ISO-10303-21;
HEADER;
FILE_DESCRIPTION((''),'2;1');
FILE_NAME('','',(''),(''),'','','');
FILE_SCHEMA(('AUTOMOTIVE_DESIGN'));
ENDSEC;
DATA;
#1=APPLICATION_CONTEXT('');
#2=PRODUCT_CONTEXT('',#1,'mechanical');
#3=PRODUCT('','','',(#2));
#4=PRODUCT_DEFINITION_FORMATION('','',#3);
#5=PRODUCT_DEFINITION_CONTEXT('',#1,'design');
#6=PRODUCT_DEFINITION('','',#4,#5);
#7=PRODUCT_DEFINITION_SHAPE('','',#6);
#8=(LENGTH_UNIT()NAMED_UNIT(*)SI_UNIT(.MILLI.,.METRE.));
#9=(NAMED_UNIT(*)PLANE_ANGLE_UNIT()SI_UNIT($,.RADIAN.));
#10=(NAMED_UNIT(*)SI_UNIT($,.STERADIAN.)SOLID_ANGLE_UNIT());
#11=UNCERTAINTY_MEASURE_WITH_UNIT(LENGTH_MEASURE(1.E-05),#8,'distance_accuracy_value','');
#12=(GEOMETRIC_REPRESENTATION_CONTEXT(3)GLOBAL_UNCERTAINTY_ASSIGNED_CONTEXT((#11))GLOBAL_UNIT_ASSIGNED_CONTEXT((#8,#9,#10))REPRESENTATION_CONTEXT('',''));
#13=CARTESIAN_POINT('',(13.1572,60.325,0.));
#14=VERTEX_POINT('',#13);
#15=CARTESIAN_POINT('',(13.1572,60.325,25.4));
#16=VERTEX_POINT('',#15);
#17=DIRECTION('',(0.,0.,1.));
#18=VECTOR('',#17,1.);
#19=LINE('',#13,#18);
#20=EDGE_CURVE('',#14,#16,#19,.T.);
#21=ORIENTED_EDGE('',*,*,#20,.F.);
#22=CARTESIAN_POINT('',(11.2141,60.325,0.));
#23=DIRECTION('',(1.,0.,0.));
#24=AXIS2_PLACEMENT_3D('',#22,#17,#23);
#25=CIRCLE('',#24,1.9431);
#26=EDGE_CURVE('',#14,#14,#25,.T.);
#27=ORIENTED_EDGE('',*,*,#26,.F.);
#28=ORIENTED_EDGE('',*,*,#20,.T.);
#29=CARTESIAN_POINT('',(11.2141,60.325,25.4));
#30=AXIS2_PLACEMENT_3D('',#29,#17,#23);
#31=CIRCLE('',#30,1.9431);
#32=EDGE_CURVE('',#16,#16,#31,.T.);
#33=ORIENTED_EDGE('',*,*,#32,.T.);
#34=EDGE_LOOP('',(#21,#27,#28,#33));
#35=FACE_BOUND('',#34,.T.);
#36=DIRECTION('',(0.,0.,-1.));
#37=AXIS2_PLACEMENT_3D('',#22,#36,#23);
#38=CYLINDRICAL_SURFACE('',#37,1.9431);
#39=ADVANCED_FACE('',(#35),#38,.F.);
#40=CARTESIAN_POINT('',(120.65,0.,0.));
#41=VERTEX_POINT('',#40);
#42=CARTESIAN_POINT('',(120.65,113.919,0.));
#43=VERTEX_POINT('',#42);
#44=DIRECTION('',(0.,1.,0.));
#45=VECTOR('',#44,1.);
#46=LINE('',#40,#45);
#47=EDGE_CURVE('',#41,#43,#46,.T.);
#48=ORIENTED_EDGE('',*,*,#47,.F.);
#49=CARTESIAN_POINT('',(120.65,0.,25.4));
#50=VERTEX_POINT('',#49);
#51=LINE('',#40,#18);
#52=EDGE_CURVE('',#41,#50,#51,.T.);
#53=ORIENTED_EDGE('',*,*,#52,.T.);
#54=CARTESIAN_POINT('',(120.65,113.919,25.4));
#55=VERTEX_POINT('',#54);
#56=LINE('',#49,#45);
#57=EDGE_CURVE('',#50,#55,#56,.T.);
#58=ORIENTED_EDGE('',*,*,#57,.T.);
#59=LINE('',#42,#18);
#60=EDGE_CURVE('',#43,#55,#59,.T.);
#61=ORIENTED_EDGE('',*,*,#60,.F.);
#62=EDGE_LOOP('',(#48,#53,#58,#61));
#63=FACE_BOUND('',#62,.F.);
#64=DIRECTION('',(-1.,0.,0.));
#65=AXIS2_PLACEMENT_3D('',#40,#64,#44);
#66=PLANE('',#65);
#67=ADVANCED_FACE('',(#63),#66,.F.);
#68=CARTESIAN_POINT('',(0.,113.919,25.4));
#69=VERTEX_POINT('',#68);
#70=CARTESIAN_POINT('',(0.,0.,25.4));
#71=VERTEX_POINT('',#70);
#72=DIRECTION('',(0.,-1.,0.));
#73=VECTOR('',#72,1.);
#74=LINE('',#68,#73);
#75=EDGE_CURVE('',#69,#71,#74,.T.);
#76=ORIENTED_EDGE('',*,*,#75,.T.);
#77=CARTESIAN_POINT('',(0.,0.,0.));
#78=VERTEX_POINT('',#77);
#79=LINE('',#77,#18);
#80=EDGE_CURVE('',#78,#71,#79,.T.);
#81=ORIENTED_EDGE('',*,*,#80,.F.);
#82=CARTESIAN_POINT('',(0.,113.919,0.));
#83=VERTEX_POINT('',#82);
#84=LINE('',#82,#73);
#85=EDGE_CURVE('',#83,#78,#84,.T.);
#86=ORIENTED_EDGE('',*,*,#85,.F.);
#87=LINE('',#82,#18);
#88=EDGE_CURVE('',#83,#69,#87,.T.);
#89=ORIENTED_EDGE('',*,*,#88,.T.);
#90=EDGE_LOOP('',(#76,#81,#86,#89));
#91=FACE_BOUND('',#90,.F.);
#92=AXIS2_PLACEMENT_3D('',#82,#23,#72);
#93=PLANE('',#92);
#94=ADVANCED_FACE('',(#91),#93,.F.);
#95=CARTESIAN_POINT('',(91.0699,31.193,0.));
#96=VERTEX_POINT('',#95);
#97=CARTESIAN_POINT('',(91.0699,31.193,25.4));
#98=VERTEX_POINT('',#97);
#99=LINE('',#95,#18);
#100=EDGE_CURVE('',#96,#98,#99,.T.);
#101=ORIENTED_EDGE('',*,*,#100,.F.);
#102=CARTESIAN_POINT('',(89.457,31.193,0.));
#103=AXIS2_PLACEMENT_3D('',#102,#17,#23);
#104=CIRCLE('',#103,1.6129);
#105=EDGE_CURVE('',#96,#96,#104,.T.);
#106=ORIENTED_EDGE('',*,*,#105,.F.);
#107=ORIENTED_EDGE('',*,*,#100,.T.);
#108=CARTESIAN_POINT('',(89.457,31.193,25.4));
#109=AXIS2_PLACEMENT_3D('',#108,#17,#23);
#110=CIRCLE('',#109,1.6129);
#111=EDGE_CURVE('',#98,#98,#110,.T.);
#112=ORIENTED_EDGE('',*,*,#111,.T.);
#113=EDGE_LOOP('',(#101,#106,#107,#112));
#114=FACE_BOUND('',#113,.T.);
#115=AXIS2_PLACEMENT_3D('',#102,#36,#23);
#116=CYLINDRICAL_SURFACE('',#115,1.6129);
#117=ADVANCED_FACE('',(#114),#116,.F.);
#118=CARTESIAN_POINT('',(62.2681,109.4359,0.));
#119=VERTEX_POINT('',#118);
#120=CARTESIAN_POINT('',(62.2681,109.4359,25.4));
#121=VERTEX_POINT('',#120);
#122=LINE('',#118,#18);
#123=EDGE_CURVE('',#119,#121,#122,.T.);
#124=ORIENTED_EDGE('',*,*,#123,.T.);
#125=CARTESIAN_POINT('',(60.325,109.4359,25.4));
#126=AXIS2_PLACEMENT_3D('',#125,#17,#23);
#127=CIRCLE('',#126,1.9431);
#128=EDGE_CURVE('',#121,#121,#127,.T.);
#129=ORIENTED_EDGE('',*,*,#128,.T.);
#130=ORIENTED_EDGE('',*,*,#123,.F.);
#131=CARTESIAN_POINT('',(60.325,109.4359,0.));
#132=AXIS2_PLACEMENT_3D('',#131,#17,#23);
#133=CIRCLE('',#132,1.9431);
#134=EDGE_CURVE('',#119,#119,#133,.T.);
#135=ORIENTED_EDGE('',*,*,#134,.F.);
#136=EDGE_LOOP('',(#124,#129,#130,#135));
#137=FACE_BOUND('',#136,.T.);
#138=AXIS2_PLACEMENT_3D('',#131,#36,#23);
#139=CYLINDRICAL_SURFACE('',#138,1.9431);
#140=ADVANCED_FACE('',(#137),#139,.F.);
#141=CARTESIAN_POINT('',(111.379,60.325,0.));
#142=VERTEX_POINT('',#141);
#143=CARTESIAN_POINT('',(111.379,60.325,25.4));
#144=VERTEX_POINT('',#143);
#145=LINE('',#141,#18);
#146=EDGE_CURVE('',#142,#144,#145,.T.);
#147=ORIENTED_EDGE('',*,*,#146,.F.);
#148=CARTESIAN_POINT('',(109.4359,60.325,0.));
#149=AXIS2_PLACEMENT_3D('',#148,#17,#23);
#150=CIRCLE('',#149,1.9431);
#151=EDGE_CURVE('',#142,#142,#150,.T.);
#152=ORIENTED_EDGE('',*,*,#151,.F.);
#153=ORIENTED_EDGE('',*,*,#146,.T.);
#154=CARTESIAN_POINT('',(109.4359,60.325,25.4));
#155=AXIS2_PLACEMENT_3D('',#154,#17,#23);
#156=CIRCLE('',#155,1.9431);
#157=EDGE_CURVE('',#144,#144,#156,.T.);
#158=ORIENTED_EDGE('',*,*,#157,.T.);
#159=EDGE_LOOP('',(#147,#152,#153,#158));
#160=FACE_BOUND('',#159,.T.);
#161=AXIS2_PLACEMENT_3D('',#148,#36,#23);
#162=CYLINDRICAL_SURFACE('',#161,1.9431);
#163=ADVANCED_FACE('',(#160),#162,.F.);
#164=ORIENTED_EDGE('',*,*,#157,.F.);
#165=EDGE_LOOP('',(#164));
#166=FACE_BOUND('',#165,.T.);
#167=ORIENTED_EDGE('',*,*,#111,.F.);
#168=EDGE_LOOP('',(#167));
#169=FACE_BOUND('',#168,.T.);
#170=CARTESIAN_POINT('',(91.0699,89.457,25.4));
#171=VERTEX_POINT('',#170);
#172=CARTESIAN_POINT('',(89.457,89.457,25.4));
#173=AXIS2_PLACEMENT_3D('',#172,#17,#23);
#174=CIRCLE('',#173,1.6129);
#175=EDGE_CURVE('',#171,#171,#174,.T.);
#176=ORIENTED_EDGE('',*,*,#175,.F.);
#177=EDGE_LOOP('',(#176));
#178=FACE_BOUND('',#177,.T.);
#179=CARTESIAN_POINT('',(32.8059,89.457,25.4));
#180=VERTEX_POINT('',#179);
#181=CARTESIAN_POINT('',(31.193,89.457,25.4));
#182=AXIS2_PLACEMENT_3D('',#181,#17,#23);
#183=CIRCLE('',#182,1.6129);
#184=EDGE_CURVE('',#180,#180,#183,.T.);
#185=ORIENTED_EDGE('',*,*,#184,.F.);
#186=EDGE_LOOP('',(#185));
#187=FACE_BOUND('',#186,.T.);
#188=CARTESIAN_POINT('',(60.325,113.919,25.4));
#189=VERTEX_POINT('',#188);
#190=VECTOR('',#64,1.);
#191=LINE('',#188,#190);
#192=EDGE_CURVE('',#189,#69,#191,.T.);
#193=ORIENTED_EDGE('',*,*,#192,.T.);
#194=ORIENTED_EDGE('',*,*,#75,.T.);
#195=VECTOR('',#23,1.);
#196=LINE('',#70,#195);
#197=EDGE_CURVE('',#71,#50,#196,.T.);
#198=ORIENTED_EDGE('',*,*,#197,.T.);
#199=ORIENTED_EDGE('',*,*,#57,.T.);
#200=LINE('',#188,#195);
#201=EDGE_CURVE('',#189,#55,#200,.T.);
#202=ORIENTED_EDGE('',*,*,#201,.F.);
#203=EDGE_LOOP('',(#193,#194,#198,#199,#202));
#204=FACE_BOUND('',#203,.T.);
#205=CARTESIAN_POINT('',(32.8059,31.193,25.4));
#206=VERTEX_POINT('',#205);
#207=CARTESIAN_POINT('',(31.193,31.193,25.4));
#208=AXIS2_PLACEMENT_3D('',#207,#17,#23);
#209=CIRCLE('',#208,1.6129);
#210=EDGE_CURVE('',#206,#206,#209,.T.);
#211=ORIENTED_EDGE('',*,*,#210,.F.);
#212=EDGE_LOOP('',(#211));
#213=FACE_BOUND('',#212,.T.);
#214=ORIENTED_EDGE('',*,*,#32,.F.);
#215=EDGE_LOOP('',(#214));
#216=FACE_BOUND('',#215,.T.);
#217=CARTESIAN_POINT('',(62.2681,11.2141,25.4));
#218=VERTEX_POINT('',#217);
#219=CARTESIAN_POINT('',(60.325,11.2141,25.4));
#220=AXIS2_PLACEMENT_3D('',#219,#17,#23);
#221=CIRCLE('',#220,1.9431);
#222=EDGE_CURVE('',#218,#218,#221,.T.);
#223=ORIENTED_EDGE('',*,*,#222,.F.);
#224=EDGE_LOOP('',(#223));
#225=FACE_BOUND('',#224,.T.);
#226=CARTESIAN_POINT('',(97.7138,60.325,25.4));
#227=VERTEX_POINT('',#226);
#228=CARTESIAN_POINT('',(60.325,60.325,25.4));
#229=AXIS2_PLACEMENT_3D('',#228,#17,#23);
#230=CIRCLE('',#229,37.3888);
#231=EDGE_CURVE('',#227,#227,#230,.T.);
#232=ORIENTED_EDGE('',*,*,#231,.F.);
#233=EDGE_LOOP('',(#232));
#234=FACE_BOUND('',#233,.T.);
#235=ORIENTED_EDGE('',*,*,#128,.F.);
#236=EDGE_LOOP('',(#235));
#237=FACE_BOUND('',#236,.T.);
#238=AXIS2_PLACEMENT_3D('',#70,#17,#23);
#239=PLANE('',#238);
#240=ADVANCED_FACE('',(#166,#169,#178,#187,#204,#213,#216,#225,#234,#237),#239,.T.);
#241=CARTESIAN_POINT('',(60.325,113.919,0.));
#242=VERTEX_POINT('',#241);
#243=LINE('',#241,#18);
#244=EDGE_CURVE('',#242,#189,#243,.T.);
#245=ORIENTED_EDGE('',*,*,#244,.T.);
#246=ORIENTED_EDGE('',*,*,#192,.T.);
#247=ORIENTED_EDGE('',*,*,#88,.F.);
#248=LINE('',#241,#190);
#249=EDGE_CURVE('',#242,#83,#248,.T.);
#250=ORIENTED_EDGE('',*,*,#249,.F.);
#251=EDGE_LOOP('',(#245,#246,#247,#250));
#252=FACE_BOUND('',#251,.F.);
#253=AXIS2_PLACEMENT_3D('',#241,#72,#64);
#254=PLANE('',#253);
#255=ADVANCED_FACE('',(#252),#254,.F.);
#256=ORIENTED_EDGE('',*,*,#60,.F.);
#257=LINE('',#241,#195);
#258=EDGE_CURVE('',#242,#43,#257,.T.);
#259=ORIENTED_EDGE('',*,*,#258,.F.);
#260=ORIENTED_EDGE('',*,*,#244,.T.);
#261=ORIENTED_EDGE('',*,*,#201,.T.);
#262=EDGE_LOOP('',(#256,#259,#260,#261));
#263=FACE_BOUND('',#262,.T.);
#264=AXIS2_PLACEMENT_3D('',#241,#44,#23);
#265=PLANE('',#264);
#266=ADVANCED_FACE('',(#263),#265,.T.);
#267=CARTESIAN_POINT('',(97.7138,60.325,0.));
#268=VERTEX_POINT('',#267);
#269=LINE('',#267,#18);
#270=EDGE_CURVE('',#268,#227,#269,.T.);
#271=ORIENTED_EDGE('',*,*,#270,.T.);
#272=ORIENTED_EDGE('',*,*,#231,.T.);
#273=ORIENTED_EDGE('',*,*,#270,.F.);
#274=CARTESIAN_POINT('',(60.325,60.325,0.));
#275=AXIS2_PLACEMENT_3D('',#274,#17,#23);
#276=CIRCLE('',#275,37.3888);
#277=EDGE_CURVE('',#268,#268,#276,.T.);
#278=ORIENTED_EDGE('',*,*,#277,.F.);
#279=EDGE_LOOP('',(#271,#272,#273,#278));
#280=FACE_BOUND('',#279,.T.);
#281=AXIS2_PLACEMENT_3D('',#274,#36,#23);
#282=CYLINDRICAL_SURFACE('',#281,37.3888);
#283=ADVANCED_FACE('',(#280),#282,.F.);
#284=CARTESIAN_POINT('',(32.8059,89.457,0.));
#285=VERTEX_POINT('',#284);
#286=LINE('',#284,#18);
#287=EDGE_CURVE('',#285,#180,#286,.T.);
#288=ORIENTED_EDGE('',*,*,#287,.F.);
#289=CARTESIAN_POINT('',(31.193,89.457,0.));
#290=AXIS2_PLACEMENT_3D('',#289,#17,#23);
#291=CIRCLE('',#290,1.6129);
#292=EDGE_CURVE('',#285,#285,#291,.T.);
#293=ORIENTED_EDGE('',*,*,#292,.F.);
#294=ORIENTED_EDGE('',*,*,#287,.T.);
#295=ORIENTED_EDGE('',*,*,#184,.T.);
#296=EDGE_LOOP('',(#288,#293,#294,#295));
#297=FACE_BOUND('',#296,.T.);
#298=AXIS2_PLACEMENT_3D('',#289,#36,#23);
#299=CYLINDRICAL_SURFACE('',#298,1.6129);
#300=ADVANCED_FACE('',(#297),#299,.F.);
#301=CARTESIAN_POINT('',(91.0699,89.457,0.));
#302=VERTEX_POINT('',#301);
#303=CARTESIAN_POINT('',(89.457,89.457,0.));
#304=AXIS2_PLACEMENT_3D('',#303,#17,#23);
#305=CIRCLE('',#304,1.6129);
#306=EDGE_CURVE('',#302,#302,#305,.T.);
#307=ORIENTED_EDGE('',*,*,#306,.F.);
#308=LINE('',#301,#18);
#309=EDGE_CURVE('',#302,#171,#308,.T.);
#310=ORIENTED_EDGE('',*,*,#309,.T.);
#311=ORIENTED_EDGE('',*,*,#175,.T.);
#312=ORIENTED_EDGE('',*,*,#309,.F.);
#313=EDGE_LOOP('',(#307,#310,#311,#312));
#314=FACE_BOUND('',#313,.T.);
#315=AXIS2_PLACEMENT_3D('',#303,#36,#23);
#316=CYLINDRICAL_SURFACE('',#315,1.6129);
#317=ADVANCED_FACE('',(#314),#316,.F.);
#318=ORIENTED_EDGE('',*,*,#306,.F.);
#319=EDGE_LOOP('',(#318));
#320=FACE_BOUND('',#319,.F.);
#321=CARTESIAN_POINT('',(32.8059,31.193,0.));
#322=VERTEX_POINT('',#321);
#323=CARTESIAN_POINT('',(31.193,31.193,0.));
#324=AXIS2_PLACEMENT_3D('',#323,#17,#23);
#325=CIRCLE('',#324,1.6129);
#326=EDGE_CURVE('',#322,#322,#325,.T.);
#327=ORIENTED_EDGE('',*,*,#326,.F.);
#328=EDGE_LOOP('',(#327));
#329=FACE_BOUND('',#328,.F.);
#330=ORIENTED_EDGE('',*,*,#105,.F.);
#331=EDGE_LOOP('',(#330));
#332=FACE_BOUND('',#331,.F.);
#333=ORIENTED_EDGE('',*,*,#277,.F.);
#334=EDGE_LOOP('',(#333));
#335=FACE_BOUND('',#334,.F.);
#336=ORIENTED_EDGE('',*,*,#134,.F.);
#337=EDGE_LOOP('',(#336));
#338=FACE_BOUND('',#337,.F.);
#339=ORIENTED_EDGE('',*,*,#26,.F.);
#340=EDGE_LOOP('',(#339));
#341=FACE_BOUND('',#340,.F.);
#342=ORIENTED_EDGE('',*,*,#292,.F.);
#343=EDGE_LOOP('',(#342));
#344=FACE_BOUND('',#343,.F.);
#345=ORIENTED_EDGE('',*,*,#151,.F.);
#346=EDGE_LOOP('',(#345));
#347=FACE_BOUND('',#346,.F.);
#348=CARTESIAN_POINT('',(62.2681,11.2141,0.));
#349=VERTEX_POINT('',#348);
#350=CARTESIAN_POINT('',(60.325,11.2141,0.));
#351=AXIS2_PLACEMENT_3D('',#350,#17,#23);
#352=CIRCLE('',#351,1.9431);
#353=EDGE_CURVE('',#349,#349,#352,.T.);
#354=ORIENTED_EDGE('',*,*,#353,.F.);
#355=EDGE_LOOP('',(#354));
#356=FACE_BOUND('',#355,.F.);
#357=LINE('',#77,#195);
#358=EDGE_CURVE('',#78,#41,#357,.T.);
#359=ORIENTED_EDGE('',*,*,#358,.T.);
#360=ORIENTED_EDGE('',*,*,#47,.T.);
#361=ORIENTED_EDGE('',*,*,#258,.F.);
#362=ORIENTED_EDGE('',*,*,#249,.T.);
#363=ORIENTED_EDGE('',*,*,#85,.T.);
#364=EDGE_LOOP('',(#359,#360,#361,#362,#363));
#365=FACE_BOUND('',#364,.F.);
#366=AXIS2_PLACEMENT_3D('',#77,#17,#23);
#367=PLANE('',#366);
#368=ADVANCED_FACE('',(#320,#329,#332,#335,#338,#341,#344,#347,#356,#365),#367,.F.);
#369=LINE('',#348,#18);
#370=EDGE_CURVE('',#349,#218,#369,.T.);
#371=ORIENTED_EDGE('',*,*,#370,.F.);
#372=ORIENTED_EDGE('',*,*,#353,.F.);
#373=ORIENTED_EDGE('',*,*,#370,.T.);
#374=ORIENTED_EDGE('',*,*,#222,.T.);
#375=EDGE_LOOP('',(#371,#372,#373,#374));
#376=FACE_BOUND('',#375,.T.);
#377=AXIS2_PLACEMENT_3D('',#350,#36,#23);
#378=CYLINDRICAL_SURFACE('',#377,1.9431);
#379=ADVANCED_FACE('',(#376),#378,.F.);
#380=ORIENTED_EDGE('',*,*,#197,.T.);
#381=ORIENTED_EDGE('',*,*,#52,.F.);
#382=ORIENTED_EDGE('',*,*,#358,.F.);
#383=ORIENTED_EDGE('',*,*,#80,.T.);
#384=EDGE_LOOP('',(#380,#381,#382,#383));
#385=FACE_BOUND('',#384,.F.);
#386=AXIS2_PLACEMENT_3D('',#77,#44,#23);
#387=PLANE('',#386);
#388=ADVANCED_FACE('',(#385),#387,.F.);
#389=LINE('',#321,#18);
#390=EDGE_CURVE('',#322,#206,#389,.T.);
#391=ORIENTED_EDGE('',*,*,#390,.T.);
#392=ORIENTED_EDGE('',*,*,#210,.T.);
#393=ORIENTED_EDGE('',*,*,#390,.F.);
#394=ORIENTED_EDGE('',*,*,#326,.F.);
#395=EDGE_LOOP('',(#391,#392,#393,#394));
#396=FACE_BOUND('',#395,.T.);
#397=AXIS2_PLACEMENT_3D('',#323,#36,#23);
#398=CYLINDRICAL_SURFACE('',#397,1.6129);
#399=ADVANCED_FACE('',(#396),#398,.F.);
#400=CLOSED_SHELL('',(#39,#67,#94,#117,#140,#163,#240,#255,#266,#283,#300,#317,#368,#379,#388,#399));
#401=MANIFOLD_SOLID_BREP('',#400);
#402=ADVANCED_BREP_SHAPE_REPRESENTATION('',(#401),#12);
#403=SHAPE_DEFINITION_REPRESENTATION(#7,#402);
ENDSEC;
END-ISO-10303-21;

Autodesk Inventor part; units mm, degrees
ref_plane "YZ Plane" through (0, 0, 0) normal (1, 0, 0) x (0, 1, 0)
ref_plane "XZ Plane" through (0, 0, 0) normal (0, 1, 0) x (-1, 0, 0)
ref_plane "XY Plane" through (0, 0, 0) normal (0, 0, 1) x (1, 0, 0)
sketch "Sketch1" plane through (0, 0, 0) normal (0, 0, 1) x (1, 0, 0)
  line L0 (0, 0) -> (120.65, 0)
  line L1 (120.65, 0) -> (120.65, 113.919)
  line L2 (0, 113.919) -> (0, 0)
  circle A0 centre (11.2141, 60.325) radius 1.9431
  circle A1 centre (60.325, 11.2141) radius 1.9431
  circle A2 centre (109.4359, 60.325) radius 1.9431
  circle A3 centre (60.325, 109.4359) radius 1.9431
  circle A4 centre (60.325, 60.325) radius 37.3888
  circle A5 centre (31.193, 89.457) radius 1.6129
  circle A6 centre (31.193, 31.193) radius 1.6129
  circle A7 centre (89.457, 31.193) radius 1.6129
  circle A8 centre (89.457, 89.457) radius 1.6129
  line L3 (60.325, 113.919) -> (120.65, 113.919)
  line L4 (60.325, 113.919) -> (0, 113.919)
  dimension "d10" = 3.8862
  dimension "d13" = 360
  dimension "d18" = 74.7776
  dimension "d20" = 3.2258
  dimension "d23" = 360
  dimension "d32" = 4.4831
extrude "Extrusion3" add sketch "Sketch1" along normal blind 25.4
properties part number "speakerside"
